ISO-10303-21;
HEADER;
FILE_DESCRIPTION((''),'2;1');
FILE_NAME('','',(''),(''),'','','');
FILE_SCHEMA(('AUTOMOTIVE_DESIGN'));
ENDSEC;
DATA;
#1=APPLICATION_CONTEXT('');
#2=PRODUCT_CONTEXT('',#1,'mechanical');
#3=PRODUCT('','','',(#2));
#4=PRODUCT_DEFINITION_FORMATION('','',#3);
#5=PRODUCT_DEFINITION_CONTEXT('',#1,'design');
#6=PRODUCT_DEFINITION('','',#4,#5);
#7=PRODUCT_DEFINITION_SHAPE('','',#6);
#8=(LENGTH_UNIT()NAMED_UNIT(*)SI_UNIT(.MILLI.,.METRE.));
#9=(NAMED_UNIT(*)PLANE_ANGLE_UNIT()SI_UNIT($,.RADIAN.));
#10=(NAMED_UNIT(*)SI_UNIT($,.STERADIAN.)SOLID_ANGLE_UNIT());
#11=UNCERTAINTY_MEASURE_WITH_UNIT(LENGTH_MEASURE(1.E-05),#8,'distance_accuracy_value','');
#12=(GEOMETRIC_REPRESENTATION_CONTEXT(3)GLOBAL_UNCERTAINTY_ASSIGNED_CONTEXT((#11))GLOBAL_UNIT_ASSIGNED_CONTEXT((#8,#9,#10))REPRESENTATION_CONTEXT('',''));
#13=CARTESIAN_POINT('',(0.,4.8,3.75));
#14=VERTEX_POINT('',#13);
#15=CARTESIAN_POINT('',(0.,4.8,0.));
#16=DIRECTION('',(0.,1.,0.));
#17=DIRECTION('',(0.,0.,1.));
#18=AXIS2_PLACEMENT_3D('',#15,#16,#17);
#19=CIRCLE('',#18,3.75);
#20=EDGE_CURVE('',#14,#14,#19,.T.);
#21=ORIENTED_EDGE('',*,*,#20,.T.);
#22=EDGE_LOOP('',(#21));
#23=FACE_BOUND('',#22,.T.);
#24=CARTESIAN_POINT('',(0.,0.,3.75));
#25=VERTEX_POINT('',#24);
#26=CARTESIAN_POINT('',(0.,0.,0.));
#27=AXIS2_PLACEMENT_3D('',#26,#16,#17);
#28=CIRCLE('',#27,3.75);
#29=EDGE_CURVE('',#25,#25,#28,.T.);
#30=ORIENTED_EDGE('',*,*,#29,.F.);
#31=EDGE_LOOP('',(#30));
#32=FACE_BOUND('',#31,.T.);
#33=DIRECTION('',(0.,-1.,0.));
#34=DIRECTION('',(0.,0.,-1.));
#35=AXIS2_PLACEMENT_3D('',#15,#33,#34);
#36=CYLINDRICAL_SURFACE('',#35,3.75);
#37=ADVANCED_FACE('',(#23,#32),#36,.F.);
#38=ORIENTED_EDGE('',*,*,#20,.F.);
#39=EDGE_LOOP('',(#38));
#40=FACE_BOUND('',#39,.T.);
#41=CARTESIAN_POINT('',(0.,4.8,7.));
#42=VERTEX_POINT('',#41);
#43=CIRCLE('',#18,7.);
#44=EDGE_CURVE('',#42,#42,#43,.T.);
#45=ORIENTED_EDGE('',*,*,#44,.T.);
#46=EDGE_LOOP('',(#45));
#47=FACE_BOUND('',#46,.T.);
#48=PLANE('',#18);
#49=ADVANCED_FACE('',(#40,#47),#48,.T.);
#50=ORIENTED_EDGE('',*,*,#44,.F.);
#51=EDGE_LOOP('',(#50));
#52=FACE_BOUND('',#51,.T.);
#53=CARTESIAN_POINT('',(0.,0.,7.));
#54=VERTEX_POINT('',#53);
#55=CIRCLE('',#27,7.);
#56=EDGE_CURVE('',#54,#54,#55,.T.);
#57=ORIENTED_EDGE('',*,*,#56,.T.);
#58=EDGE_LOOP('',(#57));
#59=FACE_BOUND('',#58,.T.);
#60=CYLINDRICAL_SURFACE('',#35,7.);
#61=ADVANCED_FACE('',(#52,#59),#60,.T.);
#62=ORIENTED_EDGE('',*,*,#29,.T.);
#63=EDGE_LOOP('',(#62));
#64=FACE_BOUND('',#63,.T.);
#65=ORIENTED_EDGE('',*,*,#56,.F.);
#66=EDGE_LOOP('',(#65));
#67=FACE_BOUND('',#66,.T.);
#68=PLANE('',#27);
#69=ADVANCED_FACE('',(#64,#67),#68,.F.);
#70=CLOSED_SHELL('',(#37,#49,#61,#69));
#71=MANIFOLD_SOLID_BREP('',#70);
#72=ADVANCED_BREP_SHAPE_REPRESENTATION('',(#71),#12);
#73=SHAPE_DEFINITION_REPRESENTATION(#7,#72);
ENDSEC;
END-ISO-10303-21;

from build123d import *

# Parameters (mm, degrees)
SKETCH1_R        = 7
SKETCH1_R_2      = 3.75
EXTRUSION1_DEPTH = 4.8


with BuildPart() as part:
    # Sketch1 → Extrusion1 (new body)
    with BuildSketch(Plane(origin=(0, 0, 0), x_dir=(-1, 0, 0), z_dir=(0, 1, 0))):
        with Locations(Location((0, 0, 0), (0, 0, 90))):
            Circle(SKETCH1_R)
        with Locations(Location((0, 0, 0), (0, 0, 90))):
            Circle(SKETCH1_R_2, mode=Mode.SUBTRACT)
    extrude(amount=EXTRUSION1_DEPTH)


solid = part.part
